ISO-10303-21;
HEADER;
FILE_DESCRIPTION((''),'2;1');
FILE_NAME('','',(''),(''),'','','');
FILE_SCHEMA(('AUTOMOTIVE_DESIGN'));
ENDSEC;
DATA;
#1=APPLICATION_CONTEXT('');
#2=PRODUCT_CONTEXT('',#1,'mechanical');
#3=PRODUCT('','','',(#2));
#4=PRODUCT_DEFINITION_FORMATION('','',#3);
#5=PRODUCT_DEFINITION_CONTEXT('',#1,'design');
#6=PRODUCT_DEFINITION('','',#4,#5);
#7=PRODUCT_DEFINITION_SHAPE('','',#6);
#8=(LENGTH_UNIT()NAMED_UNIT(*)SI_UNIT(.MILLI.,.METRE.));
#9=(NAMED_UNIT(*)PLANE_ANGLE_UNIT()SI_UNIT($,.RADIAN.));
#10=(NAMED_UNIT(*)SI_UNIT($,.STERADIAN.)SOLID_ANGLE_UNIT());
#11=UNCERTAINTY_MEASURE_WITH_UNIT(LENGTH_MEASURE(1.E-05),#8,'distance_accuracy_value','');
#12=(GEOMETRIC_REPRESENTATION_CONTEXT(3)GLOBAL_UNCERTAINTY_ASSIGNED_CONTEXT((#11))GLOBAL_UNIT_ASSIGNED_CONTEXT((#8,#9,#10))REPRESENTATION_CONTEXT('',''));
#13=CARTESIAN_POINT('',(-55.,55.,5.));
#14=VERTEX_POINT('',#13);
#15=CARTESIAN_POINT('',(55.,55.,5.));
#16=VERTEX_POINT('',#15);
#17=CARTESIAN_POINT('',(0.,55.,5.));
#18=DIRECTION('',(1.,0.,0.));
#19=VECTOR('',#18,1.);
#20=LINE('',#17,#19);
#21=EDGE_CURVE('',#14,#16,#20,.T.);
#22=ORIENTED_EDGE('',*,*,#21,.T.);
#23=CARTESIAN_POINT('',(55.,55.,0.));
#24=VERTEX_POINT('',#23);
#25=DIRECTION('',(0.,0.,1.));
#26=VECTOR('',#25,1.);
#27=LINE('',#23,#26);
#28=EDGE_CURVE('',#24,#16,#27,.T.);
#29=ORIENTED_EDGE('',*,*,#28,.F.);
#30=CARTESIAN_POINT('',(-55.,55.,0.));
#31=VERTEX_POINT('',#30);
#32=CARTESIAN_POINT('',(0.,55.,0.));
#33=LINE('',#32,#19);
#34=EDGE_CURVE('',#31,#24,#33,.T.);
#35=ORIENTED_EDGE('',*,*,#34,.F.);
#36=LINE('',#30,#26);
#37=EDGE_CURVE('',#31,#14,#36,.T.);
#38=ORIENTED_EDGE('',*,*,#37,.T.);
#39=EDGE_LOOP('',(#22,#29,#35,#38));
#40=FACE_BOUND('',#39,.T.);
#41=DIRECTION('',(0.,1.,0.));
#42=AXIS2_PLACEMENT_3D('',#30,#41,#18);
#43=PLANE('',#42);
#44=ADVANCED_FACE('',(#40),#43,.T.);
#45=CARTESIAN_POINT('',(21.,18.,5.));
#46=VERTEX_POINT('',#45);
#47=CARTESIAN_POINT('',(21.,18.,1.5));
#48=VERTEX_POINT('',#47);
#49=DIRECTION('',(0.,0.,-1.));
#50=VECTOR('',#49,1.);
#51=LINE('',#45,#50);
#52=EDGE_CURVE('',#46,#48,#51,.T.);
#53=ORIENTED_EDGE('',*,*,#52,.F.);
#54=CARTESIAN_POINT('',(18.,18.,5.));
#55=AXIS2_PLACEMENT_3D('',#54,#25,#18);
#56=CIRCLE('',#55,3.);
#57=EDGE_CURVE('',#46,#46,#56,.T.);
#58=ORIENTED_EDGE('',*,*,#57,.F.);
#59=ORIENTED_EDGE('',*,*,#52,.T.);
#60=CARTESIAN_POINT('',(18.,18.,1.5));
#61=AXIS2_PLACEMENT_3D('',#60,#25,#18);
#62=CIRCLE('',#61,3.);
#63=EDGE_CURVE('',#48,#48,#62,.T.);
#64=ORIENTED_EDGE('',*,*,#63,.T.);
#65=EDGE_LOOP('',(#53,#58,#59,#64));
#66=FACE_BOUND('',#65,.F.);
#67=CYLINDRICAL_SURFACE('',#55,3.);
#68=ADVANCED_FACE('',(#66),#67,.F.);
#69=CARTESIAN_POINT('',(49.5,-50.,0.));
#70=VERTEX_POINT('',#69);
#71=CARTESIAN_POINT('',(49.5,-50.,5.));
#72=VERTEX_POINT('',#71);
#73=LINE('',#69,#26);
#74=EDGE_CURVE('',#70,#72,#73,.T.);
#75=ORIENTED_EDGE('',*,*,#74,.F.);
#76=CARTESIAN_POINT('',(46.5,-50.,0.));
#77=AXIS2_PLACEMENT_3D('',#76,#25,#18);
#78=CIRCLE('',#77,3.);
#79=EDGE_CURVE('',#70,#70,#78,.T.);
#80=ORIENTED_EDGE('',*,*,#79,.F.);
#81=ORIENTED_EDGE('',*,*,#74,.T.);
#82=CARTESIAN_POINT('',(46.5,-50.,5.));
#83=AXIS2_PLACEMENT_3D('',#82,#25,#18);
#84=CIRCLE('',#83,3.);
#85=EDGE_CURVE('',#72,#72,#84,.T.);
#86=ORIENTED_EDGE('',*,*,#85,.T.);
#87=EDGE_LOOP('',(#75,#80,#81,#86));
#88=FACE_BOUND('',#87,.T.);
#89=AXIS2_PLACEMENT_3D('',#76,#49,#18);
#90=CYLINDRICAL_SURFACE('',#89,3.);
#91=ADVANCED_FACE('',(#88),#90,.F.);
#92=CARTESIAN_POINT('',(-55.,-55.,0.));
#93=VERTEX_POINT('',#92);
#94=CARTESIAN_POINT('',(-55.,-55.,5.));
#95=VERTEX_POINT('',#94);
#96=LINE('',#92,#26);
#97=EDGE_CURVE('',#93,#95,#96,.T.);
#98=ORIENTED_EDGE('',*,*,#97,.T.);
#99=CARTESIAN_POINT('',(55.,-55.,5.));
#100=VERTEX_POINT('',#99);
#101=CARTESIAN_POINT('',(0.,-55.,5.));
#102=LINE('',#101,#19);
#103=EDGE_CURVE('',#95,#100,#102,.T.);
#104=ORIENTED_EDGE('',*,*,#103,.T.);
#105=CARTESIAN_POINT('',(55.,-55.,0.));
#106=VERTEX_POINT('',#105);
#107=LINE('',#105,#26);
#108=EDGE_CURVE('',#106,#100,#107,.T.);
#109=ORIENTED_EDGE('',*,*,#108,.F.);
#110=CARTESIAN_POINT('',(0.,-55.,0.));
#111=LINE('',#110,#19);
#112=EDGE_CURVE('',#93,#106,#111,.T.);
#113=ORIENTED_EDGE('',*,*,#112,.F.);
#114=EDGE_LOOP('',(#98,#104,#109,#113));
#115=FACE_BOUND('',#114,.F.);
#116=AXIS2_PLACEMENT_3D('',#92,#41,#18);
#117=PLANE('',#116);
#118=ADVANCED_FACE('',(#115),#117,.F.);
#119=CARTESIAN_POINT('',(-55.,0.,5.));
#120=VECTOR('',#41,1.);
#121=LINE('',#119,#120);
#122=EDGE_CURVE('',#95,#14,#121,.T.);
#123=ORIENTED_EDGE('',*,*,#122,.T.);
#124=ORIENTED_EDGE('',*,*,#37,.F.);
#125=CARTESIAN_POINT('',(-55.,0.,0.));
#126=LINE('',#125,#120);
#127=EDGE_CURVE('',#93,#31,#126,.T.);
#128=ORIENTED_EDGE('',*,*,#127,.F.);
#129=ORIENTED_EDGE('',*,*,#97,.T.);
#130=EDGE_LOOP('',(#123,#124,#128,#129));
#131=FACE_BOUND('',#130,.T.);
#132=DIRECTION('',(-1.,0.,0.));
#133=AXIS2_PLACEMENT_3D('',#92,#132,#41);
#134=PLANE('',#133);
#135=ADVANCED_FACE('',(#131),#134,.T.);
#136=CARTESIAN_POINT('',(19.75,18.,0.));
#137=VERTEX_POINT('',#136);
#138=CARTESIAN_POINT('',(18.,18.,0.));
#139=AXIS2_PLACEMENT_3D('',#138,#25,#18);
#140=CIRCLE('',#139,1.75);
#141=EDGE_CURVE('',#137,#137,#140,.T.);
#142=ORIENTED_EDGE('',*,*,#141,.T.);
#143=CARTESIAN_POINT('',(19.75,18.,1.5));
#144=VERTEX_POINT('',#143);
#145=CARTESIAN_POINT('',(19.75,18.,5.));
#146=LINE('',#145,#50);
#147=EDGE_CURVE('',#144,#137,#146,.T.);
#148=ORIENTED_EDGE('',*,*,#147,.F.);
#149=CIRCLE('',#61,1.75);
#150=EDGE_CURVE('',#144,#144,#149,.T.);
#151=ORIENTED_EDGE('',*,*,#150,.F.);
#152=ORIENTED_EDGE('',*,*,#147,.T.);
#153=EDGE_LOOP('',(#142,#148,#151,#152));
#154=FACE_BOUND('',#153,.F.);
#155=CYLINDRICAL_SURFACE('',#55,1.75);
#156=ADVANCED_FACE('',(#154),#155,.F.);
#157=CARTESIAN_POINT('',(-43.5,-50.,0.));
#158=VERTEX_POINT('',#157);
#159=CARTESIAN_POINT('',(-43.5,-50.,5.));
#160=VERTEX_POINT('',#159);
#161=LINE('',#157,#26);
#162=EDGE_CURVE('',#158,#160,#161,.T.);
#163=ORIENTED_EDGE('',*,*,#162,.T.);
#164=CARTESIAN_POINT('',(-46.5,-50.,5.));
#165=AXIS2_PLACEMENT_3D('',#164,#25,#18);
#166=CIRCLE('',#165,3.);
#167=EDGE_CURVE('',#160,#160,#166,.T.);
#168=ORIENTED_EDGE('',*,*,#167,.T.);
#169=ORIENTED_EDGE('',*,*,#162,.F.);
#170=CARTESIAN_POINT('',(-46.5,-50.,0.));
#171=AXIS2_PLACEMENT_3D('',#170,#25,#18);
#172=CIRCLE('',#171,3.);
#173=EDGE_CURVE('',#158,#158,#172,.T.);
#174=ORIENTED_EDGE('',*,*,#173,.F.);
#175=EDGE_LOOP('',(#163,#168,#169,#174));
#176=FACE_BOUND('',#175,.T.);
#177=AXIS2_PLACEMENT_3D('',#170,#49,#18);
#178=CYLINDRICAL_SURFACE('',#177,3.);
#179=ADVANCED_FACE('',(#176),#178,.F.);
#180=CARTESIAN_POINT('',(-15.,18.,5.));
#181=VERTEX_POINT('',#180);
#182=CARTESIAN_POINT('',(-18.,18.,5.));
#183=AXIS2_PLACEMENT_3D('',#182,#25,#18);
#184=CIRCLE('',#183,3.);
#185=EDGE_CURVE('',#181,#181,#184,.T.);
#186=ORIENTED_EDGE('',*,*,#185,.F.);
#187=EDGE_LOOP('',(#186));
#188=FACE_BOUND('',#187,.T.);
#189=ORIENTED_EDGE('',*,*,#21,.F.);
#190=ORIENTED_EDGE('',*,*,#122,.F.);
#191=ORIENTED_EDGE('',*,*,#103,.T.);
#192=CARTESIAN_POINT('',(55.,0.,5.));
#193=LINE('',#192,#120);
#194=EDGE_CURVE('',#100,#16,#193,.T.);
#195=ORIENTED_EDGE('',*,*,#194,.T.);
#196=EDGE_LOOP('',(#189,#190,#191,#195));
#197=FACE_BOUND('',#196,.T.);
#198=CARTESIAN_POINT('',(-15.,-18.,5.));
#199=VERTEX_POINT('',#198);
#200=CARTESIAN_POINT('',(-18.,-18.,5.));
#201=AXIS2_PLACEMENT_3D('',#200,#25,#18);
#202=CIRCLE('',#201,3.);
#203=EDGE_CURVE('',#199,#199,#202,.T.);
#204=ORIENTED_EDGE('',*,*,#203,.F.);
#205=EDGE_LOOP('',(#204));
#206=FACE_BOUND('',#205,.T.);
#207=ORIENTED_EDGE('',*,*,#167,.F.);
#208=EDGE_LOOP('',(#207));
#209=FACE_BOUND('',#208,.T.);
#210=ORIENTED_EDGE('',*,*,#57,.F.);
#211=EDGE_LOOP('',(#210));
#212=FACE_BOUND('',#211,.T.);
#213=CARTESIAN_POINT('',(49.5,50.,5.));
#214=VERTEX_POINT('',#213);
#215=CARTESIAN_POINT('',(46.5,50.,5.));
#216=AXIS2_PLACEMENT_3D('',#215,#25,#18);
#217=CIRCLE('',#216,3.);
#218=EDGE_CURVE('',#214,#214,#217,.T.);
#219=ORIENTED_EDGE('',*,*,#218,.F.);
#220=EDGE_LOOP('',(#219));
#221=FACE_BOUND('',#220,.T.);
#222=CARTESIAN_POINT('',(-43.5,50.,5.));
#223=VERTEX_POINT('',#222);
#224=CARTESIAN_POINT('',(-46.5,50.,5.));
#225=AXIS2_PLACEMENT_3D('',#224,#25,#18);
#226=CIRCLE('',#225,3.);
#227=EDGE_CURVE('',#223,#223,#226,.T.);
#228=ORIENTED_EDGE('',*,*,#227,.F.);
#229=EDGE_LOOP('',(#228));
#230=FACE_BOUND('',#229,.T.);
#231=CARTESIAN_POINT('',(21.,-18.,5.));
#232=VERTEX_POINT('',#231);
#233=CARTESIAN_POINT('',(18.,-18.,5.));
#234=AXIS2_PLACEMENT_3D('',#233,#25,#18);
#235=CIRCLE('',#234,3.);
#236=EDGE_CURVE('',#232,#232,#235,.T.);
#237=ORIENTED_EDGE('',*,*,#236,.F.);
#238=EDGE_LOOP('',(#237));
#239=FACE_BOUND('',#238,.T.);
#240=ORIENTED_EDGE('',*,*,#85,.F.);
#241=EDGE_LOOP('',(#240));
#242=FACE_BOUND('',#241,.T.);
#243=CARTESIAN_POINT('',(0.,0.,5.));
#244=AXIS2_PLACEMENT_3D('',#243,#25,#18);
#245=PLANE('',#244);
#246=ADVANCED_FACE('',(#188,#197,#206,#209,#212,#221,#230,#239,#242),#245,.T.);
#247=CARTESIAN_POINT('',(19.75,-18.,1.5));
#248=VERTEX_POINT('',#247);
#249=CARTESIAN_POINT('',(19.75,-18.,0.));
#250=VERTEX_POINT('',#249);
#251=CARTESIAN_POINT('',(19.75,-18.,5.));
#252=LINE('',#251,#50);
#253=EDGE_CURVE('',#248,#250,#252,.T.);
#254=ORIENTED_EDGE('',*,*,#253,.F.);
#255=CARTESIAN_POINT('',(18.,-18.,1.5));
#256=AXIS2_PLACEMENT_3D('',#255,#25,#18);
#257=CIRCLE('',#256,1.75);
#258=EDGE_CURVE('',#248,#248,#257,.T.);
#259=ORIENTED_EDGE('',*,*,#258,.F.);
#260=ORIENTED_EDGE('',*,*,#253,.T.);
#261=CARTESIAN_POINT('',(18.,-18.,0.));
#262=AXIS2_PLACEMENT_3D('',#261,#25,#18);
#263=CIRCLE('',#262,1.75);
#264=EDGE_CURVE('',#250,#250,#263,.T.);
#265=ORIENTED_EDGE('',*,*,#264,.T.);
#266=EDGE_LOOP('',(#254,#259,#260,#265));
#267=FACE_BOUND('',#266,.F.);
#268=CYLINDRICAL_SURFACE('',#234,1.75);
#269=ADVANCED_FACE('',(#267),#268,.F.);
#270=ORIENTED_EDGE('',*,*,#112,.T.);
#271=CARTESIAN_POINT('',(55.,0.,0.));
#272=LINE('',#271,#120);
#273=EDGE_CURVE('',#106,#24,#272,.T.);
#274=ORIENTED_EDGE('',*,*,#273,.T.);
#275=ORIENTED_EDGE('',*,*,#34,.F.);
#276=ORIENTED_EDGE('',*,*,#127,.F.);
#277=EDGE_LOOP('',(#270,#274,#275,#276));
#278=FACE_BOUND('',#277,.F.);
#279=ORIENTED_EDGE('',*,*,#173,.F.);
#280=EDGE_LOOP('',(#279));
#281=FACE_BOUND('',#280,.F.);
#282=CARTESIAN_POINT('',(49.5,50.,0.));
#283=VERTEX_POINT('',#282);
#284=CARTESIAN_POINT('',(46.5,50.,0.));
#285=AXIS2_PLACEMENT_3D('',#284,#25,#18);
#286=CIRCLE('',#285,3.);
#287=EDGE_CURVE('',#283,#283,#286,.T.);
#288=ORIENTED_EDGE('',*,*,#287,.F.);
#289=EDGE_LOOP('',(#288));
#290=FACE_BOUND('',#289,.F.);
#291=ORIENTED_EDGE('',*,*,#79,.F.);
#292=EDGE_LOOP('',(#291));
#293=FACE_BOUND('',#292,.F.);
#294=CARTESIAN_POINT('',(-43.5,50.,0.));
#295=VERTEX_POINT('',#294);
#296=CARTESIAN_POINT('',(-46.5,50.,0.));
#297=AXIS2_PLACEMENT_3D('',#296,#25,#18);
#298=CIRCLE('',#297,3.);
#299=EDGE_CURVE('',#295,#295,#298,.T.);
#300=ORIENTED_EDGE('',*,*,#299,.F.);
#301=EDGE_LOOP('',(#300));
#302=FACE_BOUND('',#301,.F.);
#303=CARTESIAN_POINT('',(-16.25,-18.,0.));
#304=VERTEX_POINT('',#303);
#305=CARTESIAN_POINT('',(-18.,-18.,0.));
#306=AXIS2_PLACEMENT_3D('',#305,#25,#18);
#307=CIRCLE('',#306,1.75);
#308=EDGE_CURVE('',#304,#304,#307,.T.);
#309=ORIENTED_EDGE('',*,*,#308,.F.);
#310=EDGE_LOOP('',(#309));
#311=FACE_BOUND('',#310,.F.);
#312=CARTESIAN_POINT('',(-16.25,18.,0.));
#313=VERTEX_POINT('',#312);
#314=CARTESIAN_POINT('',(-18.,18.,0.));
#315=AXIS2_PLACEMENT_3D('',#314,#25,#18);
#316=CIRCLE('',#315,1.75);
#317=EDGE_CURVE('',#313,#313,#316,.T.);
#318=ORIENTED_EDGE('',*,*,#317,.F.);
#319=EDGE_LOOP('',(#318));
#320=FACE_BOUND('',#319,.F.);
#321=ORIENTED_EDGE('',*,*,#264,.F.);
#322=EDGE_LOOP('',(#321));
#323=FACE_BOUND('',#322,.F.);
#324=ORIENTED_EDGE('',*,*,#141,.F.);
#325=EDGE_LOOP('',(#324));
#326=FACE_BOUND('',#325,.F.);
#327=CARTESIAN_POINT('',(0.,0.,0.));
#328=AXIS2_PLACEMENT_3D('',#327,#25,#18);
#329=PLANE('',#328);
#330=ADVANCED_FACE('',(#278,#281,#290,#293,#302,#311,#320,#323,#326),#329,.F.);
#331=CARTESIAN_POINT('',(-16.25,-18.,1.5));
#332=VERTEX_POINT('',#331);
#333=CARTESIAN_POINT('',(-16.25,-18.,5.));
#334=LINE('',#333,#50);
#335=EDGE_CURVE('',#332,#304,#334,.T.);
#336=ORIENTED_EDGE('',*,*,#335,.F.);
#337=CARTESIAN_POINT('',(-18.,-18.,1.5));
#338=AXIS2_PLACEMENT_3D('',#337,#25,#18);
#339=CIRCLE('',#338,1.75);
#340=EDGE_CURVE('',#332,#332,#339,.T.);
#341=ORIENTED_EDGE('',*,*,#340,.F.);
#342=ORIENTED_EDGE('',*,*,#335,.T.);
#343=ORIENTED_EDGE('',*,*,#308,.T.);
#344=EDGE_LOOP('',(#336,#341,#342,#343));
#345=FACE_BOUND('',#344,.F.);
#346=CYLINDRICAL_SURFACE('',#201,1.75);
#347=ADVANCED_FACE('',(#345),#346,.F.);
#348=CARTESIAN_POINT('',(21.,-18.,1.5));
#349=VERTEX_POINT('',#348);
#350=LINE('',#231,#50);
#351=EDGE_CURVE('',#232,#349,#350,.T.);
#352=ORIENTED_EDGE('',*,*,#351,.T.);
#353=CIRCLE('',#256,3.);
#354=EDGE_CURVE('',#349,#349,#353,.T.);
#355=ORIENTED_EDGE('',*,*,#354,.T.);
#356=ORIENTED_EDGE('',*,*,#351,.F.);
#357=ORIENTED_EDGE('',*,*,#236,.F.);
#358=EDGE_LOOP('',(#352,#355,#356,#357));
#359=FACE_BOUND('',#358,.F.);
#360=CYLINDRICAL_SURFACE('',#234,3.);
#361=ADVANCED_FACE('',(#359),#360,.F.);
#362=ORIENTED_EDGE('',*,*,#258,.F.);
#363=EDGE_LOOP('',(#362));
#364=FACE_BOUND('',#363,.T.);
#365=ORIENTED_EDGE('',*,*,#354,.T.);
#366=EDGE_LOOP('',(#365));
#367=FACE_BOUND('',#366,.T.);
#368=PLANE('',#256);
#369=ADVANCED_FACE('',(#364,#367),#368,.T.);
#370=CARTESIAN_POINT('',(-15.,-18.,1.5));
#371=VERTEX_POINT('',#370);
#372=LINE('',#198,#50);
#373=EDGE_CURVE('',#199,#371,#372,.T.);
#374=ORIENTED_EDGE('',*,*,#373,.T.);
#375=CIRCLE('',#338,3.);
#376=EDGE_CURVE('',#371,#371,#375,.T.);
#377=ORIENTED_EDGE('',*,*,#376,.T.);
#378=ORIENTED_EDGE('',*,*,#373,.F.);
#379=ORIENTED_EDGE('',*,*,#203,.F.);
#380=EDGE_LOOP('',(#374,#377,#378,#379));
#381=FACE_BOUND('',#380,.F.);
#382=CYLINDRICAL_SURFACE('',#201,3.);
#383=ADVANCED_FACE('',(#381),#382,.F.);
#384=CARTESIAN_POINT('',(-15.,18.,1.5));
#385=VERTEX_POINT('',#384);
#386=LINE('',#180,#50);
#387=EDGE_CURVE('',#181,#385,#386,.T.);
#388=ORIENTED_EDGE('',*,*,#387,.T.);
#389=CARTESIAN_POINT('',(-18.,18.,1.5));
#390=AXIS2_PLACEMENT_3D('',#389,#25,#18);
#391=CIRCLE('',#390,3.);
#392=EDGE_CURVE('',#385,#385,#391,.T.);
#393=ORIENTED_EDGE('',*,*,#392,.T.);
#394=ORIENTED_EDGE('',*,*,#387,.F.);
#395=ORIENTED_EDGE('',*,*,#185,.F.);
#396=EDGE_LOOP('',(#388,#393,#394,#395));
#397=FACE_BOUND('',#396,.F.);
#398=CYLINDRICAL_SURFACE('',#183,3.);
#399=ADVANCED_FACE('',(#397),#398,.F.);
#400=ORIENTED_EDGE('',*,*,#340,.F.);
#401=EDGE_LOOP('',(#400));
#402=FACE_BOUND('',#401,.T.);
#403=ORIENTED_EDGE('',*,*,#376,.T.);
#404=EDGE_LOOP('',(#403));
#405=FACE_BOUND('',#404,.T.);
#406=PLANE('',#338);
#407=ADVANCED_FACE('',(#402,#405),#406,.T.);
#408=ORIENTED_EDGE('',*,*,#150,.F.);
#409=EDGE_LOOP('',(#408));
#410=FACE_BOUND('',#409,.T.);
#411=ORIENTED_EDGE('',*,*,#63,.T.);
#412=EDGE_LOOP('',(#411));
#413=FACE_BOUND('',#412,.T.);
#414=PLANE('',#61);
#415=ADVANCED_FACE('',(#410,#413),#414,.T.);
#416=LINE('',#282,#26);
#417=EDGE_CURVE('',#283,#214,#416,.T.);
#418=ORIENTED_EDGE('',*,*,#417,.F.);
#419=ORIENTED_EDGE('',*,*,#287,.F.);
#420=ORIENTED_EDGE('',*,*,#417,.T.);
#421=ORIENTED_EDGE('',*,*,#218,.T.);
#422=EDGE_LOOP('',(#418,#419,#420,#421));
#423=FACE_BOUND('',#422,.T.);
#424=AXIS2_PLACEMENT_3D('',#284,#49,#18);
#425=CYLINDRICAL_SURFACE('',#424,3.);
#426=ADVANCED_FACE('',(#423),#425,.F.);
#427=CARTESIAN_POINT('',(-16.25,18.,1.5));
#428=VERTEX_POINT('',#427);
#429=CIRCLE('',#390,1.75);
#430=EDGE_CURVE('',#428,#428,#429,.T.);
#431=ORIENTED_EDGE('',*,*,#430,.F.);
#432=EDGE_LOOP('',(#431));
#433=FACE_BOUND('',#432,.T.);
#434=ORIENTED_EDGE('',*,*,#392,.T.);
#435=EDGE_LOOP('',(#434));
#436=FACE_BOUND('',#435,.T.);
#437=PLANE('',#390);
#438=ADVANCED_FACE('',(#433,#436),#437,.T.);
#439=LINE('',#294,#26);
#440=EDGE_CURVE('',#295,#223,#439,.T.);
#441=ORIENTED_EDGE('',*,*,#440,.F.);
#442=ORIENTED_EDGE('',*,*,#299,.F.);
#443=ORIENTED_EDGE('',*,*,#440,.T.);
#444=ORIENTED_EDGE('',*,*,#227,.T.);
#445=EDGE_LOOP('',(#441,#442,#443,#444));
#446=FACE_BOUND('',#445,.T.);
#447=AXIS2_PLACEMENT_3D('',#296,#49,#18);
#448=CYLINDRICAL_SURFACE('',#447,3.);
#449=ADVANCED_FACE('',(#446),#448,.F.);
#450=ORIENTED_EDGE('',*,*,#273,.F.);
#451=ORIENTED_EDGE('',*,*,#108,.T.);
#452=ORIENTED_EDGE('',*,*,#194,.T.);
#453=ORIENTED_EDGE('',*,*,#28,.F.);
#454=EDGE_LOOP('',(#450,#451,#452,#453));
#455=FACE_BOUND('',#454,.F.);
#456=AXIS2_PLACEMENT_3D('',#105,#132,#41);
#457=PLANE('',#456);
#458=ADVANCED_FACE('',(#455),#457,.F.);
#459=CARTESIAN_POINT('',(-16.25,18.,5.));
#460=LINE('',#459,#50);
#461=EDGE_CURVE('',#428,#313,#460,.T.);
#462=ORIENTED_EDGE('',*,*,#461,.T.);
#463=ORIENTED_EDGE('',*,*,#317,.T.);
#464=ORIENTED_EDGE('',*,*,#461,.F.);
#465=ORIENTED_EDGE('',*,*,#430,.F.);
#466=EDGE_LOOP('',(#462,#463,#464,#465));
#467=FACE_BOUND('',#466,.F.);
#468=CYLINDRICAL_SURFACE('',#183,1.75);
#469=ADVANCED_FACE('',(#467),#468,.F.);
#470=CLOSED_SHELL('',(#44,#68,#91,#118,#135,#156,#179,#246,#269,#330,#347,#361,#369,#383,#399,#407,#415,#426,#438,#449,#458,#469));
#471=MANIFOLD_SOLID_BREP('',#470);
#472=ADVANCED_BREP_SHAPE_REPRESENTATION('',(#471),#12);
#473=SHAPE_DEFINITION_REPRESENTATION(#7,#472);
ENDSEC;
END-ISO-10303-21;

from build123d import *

# Parameters (mm, degrees)
F0_W     = 110
F0_H     = 110
F0_R     = 3
F1_DEPTH = 5
F2_R     = 1.75
F3_DEPTH = 5.001
F4_R     = 3
F5_DEPTH = 3.5


with BuildPart() as f1:
    # F0 (on Top) → F1 (new body)
    with BuildSketch(Plane.XY):
        Rectangle(F0_W, F0_H)
        with Locations((-46.5, -50)):
            Circle(F0_R, mode=Mode.SUBTRACT)
        with Locations((46.5, -50)):
            Circle(F0_R, mode=Mode.SUBTRACT)
        with Locations((-46.5, 50)):
            Circle(F0_R, mode=Mode.SUBTRACT)
        with Locations((46.5, 50)):
            Circle(F0_R, mode=Mode.SUBTRACT)
    extrude(amount=F1_DEPTH)

    # F2 (on face) → F3 (cut, through all)
    with BuildSketch(Plane.XY.offset(5)):
        with Locations((-18, 18)):
            Circle(F2_R)
        with Locations((18, 18)):
            Circle(F2_R)
        with Locations((-18, -18)):
            Circle(F2_R)
        with Locations((18, -18)):
            Circle(F2_R)
    extrude(amount=-F3_DEPTH, mode=Mode.SUBTRACT)

    # F4 (on face) → F5 (cut)
    with BuildSketch(Plane.XY.offset(5)):
        with Locations((-18, 18)):
            Circle(F4_R)
        with Locations((-18, -18)):
            Circle(F4_R)
        with Locations((18, 18)):
            Circle(F4_R)
        with Locations((18, -18)):
            Circle(F4_R)
    extrude(amount=-F5_DEPTH, mode=Mode.SUBTRACT)


solid = f1.part
